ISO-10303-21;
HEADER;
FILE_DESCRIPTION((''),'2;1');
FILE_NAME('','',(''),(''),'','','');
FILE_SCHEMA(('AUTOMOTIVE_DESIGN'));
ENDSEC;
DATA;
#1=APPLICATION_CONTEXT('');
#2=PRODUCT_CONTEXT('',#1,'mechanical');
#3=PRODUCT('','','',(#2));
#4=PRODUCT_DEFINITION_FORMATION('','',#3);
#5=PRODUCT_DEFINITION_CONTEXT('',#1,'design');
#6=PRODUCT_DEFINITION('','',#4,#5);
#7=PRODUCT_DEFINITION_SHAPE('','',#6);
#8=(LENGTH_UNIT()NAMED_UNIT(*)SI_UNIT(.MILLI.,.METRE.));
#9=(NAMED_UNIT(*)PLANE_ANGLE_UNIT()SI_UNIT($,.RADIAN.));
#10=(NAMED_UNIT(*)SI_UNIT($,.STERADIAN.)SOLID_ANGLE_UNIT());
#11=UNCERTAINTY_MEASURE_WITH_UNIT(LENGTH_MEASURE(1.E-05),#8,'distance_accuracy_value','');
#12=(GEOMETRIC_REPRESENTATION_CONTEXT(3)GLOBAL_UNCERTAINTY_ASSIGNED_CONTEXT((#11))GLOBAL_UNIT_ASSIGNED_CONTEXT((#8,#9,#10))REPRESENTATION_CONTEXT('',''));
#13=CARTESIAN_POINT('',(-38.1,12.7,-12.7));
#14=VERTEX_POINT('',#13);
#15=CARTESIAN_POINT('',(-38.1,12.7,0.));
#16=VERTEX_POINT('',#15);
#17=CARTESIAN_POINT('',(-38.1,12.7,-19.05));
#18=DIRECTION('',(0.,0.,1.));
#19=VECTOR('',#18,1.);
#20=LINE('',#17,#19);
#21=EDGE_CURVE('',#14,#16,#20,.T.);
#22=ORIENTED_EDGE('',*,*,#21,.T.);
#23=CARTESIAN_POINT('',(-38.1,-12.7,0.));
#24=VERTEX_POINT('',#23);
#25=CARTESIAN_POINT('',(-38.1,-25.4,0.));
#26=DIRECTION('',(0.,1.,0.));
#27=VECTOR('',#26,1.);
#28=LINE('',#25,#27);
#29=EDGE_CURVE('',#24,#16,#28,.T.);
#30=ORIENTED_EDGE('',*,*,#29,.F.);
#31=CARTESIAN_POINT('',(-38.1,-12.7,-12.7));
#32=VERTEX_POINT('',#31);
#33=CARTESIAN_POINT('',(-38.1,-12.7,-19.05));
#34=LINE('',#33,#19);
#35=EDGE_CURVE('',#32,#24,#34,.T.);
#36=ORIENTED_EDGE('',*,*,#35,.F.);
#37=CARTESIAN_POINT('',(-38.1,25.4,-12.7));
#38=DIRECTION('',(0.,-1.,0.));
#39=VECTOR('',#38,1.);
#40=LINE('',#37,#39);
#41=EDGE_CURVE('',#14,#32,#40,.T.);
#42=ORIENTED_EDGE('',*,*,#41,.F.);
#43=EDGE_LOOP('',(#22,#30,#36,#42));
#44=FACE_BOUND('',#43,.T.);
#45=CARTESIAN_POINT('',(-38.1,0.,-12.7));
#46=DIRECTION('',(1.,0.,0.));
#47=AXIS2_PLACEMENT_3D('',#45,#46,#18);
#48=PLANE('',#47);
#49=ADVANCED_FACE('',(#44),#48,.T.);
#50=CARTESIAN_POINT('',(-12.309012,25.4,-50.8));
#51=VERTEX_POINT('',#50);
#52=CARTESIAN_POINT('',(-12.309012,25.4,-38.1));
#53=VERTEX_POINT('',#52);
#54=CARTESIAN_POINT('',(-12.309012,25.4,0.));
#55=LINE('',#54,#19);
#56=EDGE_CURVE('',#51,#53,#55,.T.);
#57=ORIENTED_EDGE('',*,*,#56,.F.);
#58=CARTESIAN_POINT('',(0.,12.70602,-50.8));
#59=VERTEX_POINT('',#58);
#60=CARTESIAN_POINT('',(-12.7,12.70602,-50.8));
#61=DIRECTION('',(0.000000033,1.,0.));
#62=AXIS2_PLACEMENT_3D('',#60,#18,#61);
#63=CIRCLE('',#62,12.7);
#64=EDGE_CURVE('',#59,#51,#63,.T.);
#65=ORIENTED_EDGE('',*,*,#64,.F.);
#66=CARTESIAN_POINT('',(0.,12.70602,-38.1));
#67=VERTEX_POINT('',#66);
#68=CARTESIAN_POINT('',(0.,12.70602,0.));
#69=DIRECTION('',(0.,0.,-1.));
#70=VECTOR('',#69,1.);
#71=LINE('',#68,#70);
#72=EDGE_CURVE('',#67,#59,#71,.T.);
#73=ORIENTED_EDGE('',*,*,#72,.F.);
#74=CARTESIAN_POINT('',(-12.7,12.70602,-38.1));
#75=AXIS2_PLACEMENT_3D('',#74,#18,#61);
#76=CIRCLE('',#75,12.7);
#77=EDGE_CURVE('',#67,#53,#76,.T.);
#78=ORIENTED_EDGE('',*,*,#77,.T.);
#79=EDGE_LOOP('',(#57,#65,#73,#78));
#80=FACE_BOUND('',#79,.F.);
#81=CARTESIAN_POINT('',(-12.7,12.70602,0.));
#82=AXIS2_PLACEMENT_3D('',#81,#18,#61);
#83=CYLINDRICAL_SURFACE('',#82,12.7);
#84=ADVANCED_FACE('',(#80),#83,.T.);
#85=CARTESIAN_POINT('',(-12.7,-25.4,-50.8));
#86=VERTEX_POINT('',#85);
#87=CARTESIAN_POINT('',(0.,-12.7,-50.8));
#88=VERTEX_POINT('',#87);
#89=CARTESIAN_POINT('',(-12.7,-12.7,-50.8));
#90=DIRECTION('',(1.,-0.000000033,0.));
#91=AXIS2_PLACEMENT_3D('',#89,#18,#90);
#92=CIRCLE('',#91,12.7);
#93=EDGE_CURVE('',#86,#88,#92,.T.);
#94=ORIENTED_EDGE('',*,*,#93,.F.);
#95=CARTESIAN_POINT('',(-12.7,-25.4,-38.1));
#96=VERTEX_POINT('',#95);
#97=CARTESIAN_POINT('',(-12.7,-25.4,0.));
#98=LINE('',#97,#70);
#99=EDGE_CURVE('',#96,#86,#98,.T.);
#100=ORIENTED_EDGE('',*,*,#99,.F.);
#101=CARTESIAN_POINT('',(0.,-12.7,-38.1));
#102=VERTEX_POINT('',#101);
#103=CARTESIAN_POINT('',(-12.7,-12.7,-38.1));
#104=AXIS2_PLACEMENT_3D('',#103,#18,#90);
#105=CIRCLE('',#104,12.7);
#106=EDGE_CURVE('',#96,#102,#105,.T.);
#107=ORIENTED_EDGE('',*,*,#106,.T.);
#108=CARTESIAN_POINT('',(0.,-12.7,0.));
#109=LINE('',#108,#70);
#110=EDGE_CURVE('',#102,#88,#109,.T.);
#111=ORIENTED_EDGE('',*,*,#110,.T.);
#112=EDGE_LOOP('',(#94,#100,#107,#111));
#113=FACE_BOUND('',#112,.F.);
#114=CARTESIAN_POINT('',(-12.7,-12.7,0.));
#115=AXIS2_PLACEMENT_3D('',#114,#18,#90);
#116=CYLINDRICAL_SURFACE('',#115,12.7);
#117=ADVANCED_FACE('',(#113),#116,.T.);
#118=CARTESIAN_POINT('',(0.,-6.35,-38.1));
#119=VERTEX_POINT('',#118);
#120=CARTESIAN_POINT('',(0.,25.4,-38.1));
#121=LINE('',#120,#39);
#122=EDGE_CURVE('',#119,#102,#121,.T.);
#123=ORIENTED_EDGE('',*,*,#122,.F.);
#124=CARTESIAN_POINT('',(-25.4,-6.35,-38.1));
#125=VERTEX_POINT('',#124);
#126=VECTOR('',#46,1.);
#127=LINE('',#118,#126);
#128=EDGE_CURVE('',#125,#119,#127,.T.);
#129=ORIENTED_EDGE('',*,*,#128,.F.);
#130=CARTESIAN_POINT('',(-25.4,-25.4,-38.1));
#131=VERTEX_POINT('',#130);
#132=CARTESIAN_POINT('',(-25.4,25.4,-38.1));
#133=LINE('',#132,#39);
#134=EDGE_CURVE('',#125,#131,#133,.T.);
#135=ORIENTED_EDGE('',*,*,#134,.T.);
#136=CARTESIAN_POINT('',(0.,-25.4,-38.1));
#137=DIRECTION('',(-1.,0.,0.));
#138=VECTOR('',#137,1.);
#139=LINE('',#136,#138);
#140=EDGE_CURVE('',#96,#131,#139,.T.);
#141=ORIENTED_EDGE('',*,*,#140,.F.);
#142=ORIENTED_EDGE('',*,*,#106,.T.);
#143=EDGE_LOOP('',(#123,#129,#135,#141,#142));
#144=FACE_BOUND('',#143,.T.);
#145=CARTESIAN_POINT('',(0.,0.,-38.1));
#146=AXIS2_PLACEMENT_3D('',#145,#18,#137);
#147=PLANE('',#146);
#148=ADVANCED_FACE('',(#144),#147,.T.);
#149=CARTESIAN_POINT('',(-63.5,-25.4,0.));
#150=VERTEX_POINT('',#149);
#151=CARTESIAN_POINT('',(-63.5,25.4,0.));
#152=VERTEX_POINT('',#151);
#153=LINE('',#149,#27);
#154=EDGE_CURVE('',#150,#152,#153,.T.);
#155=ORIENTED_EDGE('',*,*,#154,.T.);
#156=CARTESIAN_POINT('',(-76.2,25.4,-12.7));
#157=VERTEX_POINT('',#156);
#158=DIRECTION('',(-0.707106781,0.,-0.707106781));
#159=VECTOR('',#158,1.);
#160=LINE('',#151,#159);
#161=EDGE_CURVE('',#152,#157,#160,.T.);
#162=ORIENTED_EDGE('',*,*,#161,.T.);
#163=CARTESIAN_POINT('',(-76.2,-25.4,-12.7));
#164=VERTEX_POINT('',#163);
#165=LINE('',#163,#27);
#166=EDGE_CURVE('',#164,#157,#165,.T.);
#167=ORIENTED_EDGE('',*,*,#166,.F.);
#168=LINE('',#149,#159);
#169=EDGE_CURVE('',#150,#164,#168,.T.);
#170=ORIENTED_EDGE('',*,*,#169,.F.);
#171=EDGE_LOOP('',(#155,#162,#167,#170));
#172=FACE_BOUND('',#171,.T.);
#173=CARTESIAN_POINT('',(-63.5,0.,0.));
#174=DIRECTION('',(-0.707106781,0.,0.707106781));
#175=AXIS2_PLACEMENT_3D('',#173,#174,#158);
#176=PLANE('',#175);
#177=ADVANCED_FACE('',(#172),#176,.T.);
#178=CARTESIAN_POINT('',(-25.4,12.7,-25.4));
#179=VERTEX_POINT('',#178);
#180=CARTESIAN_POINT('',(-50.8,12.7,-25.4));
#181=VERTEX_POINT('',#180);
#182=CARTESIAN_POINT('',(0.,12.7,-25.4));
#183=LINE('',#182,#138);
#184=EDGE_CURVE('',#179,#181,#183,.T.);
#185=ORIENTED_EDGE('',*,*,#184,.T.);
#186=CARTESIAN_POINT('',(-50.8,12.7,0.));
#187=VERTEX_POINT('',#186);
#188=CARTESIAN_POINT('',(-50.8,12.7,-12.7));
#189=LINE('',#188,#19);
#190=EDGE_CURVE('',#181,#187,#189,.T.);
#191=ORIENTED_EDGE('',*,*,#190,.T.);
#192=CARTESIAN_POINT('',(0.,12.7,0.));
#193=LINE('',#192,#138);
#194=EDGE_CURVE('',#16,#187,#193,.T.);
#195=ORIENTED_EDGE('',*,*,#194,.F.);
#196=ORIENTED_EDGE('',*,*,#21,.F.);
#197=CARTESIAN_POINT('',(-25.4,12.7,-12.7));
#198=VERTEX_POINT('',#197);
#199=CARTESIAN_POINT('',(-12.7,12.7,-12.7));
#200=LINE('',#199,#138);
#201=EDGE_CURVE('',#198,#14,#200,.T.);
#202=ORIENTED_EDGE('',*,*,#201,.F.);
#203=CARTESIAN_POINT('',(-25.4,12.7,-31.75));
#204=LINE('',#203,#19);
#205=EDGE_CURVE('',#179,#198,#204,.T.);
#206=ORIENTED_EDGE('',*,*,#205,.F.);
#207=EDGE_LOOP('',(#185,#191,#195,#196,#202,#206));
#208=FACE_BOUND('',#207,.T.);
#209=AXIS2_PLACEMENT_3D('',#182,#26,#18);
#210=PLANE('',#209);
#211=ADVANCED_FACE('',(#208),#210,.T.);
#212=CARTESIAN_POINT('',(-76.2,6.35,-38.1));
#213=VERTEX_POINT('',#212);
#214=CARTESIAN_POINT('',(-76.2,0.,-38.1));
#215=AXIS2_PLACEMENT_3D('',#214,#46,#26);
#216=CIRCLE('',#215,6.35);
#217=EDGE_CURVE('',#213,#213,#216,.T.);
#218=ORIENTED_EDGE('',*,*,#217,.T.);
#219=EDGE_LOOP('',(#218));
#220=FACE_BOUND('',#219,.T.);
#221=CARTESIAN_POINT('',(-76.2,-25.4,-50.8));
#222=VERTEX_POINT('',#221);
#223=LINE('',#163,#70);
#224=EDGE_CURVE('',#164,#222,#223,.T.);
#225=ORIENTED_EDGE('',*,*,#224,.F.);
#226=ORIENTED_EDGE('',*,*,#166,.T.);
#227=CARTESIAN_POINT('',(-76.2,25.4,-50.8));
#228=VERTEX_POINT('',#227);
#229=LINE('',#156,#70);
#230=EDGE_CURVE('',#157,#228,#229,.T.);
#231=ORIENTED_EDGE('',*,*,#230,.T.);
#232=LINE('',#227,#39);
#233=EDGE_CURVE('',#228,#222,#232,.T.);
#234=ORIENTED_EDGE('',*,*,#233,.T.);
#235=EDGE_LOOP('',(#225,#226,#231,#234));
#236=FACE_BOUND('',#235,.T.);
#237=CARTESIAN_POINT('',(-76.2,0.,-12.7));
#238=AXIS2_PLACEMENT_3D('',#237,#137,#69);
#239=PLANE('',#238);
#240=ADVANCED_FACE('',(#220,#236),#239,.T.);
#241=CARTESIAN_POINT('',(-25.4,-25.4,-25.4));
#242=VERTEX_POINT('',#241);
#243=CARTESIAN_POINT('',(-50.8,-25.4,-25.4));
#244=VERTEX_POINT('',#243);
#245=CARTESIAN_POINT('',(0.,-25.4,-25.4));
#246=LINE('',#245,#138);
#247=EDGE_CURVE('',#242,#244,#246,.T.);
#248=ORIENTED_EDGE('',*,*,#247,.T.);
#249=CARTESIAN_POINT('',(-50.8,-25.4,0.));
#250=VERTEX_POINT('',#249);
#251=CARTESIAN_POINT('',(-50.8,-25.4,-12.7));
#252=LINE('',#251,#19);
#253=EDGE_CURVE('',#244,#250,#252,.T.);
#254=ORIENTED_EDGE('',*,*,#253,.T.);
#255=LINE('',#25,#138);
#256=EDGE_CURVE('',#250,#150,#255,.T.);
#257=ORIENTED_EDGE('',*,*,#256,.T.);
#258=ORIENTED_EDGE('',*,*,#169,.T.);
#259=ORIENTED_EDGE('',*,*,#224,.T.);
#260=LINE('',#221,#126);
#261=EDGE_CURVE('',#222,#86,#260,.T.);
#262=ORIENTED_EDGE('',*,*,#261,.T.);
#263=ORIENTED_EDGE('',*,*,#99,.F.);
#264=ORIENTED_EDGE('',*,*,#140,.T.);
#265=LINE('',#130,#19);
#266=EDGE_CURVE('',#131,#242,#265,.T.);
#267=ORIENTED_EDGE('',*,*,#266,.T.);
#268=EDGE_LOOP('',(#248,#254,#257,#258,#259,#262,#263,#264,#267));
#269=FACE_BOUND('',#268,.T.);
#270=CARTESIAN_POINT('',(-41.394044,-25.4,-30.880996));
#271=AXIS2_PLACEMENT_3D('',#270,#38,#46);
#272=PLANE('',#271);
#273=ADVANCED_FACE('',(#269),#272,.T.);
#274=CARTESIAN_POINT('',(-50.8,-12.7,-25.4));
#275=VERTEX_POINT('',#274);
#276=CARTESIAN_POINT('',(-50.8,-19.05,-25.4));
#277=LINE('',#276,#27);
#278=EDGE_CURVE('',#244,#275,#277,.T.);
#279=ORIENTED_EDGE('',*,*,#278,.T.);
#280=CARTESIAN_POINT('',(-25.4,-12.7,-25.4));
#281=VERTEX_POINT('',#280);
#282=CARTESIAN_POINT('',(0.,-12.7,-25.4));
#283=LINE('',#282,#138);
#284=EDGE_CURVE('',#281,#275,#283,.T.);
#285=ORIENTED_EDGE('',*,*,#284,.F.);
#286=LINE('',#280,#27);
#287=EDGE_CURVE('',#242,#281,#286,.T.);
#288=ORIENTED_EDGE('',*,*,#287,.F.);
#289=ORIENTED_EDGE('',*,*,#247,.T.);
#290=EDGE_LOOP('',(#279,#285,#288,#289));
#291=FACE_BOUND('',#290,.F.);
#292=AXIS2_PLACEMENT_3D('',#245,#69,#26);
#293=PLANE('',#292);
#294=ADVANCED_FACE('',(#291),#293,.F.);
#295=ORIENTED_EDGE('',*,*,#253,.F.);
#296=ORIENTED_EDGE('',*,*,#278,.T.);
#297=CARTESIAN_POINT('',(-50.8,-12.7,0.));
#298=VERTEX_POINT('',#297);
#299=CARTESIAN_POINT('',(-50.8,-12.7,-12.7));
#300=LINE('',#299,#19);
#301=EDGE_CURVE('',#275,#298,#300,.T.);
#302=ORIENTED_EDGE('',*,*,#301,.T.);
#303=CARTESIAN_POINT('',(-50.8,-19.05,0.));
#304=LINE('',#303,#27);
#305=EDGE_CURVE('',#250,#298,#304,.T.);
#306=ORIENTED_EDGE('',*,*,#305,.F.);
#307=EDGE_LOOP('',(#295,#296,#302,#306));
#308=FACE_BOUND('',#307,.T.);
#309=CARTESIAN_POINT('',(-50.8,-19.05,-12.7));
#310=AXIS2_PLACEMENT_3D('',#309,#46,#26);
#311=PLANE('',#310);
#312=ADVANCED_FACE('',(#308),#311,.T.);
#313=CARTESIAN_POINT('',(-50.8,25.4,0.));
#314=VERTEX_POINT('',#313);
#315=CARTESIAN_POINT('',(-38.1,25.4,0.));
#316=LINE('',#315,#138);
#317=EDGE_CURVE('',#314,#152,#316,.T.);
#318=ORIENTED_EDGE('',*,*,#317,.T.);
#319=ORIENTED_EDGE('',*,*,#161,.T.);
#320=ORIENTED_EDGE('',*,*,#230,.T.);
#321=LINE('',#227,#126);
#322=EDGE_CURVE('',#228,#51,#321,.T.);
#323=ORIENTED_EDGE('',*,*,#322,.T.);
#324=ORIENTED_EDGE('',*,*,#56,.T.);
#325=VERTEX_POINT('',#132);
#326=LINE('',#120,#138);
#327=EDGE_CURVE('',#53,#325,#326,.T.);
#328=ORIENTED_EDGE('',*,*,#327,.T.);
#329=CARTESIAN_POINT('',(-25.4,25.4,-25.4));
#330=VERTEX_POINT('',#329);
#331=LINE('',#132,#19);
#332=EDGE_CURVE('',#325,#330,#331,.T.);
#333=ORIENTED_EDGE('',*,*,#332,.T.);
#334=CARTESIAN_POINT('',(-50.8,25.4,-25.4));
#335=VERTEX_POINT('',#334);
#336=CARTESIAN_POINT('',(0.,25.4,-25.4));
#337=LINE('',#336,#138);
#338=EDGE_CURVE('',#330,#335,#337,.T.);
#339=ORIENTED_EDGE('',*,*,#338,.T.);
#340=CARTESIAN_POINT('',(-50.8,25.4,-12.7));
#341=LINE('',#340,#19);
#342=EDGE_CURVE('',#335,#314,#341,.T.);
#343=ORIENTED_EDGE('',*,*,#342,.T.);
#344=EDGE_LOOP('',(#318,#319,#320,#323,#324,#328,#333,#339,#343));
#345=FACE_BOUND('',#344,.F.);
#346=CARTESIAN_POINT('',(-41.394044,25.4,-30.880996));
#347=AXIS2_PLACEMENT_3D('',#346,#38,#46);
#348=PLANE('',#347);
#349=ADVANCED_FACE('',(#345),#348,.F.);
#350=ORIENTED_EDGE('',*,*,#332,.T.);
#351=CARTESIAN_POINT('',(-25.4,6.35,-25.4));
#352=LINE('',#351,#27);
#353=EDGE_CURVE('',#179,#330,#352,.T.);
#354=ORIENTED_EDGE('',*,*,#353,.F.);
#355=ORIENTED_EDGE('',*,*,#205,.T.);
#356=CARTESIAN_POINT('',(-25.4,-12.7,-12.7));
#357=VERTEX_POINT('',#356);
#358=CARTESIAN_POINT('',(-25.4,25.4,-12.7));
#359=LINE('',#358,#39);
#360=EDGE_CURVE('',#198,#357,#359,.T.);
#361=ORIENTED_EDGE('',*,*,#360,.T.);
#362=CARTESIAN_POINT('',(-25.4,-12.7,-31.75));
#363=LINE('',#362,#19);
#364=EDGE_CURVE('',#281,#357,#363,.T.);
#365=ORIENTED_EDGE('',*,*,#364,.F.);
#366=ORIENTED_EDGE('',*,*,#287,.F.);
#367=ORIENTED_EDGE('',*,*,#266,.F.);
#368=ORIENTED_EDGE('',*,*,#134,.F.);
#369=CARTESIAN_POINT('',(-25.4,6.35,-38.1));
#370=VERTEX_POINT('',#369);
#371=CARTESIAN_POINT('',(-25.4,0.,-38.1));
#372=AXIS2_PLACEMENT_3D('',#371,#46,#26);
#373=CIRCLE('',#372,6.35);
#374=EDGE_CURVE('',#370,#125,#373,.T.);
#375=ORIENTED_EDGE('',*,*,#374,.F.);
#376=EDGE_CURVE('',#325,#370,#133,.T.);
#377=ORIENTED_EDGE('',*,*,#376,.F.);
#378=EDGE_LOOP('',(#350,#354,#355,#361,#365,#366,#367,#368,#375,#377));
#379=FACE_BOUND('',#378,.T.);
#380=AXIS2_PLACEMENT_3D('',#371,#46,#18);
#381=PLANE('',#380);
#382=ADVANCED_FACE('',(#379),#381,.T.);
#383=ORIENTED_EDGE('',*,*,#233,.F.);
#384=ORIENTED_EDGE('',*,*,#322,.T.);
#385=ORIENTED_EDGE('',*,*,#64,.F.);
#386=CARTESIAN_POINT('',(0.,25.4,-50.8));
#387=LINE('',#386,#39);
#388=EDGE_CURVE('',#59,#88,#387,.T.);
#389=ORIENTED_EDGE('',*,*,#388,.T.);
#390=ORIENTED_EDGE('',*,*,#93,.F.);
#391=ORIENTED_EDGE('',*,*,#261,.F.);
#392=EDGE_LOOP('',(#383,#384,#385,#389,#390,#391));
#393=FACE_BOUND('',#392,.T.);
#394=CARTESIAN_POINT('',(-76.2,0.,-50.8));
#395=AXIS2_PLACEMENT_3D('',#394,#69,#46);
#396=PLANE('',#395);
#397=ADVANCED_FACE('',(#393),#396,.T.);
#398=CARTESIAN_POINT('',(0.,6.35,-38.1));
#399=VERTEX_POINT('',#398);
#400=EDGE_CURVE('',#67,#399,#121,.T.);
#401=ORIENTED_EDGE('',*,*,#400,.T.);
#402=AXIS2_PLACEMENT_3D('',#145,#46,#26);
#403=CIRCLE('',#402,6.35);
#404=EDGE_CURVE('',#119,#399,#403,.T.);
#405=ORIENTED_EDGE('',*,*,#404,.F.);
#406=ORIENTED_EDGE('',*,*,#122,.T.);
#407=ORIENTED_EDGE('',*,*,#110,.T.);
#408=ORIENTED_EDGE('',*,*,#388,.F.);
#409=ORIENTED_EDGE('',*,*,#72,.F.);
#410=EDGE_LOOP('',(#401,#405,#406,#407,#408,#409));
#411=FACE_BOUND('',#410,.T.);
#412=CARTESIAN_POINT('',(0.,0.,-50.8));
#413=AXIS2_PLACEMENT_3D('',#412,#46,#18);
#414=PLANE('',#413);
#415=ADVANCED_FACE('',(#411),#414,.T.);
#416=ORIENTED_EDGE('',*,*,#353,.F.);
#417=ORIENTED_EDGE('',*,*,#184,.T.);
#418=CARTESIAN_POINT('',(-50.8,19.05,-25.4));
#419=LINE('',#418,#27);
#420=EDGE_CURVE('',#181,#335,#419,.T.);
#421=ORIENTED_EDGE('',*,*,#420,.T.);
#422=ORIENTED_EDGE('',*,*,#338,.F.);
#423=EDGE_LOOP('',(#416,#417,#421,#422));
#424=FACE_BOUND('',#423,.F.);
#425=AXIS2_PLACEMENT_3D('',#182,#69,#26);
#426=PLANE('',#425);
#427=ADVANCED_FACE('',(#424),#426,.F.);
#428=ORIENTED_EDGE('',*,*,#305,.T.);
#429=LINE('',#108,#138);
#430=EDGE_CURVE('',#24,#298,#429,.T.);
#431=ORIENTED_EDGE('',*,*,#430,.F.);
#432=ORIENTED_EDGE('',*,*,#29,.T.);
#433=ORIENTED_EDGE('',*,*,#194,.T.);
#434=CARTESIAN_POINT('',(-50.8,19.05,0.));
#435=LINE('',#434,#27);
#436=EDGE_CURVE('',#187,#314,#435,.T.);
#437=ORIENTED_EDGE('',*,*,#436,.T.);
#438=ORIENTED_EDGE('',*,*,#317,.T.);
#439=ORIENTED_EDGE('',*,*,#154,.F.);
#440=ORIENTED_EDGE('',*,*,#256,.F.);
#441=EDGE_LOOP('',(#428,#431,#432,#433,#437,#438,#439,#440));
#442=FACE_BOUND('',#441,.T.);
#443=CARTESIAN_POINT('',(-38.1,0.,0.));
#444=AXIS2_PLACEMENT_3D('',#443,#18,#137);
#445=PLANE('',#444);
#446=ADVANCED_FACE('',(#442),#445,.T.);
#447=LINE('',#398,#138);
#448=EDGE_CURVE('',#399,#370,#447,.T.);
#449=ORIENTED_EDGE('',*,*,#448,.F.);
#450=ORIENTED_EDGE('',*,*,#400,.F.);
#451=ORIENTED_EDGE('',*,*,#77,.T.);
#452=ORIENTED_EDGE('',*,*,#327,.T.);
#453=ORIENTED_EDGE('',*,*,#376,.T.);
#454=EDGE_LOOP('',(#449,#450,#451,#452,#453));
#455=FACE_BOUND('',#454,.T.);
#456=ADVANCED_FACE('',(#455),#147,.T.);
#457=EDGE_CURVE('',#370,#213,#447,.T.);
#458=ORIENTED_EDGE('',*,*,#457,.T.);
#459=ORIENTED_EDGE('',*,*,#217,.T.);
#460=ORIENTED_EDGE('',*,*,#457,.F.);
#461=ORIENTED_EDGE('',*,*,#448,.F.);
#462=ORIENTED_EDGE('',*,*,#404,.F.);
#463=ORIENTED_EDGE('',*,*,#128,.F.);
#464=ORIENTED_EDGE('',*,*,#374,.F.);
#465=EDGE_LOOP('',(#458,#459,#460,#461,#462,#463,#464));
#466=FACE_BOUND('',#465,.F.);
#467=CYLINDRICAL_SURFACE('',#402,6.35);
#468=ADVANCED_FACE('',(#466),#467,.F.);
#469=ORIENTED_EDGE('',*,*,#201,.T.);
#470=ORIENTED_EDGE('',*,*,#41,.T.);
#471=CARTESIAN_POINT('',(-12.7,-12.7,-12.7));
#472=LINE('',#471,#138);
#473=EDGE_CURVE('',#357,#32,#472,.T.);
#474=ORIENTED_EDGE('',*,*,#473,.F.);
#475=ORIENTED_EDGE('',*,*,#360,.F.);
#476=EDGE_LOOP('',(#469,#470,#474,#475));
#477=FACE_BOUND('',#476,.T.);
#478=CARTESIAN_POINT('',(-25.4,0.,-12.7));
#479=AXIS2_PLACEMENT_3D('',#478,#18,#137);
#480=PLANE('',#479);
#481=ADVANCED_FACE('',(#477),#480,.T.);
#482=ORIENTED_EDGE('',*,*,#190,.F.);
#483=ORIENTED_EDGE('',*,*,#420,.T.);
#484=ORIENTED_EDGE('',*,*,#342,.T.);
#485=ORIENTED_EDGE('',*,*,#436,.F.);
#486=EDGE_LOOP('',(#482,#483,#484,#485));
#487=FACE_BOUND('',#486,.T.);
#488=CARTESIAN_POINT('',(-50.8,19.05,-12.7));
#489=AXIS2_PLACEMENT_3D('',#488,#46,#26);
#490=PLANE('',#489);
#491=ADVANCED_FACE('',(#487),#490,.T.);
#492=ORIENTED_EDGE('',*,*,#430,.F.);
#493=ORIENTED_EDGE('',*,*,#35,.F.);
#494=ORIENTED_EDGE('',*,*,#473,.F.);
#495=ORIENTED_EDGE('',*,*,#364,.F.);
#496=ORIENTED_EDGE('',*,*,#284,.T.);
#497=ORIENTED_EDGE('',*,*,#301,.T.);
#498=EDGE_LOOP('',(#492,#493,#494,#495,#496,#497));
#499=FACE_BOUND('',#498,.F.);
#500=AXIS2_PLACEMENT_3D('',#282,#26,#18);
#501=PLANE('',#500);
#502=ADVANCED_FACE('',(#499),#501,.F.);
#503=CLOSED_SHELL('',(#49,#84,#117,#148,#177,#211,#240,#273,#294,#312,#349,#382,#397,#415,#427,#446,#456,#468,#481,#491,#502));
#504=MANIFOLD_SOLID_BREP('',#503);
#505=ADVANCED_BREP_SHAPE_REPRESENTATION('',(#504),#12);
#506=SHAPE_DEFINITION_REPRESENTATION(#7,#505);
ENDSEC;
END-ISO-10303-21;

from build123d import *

# Parameters (mm, degrees)
F1_DEPTH = 25.4
F2_W     = 12.7
F2_H     = 25.4
F3_DEPTH = 50.8
F4_R     = 6.35
F5_DEPTH = 76.201
F7_DEPTH = 50.801


with BuildPart() as f1:
    # F0 (on Front) → F1 (new body, symmetric)
    with BuildSketch(Plane.XZ):
        Polygon((-76.2, -12.7), (-76.2, -50.8), (0, -50.8), (0, -38.1), (-25.4, -38.1), (-25.4, -12.7), (-38.1, -12.7), (-38.1, 0), (-63.5, 0), align=None)
    extrude(amount=F1_DEPTH, both=True)

    # F2 (on Right) → F3 (cut)
    with BuildSketch(Plane.YZ):
        with Locations((-19.05, -12.7)):
            Rectangle(F2_W, F2_H)
        with Locations((19.05, -12.7)):
            Rectangle(F2_W, F2_H)
    extrude(amount=-F3_DEPTH, mode=Mode.SUBTRACT)

    # F4 (on Right) → F5 (cut, through all)
    with BuildSketch(Plane.YZ):
        with Locations((0, -38.1)):
            Circle(F4_R)
    extrude(amount=-F5_DEPTH, mode=Mode.SUBTRACT)

    # F6 (on Top) → F7 (cut, through all)
    with BuildSketch(Plane.XY):
        with BuildLine():
            ThreePointArc((0, -12.7), (-3.719744, -21.680256), (-12.7, -25.4))
            Line((-12.7, -25.4), (0, -25.4))
            Line((0, -25.4), (0, -12.7))
        make_face()
        with BuildLine():
            ThreePointArc((-12.7, 25.40602), (-3.719744, 21.686276), (0, 12.70602))
            Line((0, 12.70602), (0, 25.40602))
            Line((0, 25.40602), (-12.7, 25.40602))
        make_face()
    extrude(amount=-F7_DEPTH, mode=Mode.SUBTRACT)


solid = f1.part
